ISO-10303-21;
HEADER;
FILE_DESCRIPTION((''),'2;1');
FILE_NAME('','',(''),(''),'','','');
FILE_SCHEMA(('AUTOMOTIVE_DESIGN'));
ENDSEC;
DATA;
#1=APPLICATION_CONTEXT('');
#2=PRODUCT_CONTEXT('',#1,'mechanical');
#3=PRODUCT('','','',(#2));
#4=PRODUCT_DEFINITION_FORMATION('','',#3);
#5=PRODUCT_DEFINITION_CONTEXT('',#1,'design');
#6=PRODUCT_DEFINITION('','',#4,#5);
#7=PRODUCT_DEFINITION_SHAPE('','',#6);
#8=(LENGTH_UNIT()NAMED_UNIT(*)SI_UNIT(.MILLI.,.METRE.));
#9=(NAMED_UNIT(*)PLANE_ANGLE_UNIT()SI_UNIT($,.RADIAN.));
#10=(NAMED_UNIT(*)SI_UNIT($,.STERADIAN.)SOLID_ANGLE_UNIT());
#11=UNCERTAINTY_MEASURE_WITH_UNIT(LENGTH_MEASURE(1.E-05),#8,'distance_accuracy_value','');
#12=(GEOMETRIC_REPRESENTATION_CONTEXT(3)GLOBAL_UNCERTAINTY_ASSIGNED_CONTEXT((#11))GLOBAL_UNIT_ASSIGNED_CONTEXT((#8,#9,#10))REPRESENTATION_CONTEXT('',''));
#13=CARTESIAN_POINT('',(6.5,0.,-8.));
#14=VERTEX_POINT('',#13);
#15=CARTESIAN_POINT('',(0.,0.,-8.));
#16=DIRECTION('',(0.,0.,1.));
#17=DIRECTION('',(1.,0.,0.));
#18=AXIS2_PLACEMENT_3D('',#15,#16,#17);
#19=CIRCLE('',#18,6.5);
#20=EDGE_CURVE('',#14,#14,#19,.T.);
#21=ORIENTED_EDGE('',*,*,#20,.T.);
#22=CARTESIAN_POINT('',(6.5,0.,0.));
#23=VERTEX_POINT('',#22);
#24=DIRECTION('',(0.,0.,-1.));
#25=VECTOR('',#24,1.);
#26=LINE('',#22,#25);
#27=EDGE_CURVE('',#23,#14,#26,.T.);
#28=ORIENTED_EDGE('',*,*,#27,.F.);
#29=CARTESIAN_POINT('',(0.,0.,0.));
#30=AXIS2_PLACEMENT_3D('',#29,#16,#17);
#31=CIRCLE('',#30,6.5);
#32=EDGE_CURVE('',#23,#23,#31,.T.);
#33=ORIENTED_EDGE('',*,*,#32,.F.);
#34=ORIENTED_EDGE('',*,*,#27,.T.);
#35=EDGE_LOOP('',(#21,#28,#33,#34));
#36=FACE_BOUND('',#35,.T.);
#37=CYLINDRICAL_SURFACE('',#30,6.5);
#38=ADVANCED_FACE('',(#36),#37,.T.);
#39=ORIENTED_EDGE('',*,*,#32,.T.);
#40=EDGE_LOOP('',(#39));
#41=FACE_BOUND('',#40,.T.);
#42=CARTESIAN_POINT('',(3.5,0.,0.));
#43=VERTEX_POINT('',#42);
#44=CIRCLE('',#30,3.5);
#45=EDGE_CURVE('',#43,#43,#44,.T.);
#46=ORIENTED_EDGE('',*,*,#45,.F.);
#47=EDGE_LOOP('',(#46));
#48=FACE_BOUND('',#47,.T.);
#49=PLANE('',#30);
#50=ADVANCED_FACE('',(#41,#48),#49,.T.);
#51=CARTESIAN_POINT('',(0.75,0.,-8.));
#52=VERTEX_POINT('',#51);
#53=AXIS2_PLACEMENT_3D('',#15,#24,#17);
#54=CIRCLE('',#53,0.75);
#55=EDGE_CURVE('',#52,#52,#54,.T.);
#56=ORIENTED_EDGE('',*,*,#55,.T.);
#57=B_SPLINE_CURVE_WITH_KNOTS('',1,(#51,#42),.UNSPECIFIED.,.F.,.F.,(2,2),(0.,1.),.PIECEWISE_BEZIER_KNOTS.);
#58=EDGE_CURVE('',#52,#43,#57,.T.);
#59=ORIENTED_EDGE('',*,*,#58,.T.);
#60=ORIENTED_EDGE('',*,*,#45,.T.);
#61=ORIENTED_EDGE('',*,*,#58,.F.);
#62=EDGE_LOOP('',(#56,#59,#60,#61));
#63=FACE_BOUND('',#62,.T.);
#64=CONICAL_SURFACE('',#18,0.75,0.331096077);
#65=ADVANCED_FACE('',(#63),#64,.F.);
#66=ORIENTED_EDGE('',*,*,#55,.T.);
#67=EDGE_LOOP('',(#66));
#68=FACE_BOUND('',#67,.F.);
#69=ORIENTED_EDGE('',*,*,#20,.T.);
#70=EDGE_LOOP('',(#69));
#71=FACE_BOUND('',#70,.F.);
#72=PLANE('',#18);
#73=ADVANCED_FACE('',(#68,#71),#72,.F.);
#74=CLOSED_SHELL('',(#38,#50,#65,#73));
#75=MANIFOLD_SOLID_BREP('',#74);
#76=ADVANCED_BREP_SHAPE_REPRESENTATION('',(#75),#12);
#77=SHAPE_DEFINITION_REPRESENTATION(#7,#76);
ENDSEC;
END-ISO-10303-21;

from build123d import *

# Parameters (mm, degrees)
F0_R     = 6.5
F1_DEPTH = 8
F3_R     = 0.75
F2_R     = 3.5


with BuildPart() as f1:
    # F0 (on Top) → F1 (new body)
    with BuildSketch(Plane.XY):
        Circle(F0_R)
    extrude(amount=-F1_DEPTH)

    # F3 (on face) → F4 section 0
    with BuildSketch(Plane(origin=(0, 0, -8), x_dir=(1, 0, 0), z_dir=(0, 0, -1))):
        Circle(F3_R)
    # F2 (on face) → F4 section 1
    with BuildSketch(Plane.XY):
        Circle(F2_R)
    loft(mode=Mode.SUBTRACT)


solid = f1.part
